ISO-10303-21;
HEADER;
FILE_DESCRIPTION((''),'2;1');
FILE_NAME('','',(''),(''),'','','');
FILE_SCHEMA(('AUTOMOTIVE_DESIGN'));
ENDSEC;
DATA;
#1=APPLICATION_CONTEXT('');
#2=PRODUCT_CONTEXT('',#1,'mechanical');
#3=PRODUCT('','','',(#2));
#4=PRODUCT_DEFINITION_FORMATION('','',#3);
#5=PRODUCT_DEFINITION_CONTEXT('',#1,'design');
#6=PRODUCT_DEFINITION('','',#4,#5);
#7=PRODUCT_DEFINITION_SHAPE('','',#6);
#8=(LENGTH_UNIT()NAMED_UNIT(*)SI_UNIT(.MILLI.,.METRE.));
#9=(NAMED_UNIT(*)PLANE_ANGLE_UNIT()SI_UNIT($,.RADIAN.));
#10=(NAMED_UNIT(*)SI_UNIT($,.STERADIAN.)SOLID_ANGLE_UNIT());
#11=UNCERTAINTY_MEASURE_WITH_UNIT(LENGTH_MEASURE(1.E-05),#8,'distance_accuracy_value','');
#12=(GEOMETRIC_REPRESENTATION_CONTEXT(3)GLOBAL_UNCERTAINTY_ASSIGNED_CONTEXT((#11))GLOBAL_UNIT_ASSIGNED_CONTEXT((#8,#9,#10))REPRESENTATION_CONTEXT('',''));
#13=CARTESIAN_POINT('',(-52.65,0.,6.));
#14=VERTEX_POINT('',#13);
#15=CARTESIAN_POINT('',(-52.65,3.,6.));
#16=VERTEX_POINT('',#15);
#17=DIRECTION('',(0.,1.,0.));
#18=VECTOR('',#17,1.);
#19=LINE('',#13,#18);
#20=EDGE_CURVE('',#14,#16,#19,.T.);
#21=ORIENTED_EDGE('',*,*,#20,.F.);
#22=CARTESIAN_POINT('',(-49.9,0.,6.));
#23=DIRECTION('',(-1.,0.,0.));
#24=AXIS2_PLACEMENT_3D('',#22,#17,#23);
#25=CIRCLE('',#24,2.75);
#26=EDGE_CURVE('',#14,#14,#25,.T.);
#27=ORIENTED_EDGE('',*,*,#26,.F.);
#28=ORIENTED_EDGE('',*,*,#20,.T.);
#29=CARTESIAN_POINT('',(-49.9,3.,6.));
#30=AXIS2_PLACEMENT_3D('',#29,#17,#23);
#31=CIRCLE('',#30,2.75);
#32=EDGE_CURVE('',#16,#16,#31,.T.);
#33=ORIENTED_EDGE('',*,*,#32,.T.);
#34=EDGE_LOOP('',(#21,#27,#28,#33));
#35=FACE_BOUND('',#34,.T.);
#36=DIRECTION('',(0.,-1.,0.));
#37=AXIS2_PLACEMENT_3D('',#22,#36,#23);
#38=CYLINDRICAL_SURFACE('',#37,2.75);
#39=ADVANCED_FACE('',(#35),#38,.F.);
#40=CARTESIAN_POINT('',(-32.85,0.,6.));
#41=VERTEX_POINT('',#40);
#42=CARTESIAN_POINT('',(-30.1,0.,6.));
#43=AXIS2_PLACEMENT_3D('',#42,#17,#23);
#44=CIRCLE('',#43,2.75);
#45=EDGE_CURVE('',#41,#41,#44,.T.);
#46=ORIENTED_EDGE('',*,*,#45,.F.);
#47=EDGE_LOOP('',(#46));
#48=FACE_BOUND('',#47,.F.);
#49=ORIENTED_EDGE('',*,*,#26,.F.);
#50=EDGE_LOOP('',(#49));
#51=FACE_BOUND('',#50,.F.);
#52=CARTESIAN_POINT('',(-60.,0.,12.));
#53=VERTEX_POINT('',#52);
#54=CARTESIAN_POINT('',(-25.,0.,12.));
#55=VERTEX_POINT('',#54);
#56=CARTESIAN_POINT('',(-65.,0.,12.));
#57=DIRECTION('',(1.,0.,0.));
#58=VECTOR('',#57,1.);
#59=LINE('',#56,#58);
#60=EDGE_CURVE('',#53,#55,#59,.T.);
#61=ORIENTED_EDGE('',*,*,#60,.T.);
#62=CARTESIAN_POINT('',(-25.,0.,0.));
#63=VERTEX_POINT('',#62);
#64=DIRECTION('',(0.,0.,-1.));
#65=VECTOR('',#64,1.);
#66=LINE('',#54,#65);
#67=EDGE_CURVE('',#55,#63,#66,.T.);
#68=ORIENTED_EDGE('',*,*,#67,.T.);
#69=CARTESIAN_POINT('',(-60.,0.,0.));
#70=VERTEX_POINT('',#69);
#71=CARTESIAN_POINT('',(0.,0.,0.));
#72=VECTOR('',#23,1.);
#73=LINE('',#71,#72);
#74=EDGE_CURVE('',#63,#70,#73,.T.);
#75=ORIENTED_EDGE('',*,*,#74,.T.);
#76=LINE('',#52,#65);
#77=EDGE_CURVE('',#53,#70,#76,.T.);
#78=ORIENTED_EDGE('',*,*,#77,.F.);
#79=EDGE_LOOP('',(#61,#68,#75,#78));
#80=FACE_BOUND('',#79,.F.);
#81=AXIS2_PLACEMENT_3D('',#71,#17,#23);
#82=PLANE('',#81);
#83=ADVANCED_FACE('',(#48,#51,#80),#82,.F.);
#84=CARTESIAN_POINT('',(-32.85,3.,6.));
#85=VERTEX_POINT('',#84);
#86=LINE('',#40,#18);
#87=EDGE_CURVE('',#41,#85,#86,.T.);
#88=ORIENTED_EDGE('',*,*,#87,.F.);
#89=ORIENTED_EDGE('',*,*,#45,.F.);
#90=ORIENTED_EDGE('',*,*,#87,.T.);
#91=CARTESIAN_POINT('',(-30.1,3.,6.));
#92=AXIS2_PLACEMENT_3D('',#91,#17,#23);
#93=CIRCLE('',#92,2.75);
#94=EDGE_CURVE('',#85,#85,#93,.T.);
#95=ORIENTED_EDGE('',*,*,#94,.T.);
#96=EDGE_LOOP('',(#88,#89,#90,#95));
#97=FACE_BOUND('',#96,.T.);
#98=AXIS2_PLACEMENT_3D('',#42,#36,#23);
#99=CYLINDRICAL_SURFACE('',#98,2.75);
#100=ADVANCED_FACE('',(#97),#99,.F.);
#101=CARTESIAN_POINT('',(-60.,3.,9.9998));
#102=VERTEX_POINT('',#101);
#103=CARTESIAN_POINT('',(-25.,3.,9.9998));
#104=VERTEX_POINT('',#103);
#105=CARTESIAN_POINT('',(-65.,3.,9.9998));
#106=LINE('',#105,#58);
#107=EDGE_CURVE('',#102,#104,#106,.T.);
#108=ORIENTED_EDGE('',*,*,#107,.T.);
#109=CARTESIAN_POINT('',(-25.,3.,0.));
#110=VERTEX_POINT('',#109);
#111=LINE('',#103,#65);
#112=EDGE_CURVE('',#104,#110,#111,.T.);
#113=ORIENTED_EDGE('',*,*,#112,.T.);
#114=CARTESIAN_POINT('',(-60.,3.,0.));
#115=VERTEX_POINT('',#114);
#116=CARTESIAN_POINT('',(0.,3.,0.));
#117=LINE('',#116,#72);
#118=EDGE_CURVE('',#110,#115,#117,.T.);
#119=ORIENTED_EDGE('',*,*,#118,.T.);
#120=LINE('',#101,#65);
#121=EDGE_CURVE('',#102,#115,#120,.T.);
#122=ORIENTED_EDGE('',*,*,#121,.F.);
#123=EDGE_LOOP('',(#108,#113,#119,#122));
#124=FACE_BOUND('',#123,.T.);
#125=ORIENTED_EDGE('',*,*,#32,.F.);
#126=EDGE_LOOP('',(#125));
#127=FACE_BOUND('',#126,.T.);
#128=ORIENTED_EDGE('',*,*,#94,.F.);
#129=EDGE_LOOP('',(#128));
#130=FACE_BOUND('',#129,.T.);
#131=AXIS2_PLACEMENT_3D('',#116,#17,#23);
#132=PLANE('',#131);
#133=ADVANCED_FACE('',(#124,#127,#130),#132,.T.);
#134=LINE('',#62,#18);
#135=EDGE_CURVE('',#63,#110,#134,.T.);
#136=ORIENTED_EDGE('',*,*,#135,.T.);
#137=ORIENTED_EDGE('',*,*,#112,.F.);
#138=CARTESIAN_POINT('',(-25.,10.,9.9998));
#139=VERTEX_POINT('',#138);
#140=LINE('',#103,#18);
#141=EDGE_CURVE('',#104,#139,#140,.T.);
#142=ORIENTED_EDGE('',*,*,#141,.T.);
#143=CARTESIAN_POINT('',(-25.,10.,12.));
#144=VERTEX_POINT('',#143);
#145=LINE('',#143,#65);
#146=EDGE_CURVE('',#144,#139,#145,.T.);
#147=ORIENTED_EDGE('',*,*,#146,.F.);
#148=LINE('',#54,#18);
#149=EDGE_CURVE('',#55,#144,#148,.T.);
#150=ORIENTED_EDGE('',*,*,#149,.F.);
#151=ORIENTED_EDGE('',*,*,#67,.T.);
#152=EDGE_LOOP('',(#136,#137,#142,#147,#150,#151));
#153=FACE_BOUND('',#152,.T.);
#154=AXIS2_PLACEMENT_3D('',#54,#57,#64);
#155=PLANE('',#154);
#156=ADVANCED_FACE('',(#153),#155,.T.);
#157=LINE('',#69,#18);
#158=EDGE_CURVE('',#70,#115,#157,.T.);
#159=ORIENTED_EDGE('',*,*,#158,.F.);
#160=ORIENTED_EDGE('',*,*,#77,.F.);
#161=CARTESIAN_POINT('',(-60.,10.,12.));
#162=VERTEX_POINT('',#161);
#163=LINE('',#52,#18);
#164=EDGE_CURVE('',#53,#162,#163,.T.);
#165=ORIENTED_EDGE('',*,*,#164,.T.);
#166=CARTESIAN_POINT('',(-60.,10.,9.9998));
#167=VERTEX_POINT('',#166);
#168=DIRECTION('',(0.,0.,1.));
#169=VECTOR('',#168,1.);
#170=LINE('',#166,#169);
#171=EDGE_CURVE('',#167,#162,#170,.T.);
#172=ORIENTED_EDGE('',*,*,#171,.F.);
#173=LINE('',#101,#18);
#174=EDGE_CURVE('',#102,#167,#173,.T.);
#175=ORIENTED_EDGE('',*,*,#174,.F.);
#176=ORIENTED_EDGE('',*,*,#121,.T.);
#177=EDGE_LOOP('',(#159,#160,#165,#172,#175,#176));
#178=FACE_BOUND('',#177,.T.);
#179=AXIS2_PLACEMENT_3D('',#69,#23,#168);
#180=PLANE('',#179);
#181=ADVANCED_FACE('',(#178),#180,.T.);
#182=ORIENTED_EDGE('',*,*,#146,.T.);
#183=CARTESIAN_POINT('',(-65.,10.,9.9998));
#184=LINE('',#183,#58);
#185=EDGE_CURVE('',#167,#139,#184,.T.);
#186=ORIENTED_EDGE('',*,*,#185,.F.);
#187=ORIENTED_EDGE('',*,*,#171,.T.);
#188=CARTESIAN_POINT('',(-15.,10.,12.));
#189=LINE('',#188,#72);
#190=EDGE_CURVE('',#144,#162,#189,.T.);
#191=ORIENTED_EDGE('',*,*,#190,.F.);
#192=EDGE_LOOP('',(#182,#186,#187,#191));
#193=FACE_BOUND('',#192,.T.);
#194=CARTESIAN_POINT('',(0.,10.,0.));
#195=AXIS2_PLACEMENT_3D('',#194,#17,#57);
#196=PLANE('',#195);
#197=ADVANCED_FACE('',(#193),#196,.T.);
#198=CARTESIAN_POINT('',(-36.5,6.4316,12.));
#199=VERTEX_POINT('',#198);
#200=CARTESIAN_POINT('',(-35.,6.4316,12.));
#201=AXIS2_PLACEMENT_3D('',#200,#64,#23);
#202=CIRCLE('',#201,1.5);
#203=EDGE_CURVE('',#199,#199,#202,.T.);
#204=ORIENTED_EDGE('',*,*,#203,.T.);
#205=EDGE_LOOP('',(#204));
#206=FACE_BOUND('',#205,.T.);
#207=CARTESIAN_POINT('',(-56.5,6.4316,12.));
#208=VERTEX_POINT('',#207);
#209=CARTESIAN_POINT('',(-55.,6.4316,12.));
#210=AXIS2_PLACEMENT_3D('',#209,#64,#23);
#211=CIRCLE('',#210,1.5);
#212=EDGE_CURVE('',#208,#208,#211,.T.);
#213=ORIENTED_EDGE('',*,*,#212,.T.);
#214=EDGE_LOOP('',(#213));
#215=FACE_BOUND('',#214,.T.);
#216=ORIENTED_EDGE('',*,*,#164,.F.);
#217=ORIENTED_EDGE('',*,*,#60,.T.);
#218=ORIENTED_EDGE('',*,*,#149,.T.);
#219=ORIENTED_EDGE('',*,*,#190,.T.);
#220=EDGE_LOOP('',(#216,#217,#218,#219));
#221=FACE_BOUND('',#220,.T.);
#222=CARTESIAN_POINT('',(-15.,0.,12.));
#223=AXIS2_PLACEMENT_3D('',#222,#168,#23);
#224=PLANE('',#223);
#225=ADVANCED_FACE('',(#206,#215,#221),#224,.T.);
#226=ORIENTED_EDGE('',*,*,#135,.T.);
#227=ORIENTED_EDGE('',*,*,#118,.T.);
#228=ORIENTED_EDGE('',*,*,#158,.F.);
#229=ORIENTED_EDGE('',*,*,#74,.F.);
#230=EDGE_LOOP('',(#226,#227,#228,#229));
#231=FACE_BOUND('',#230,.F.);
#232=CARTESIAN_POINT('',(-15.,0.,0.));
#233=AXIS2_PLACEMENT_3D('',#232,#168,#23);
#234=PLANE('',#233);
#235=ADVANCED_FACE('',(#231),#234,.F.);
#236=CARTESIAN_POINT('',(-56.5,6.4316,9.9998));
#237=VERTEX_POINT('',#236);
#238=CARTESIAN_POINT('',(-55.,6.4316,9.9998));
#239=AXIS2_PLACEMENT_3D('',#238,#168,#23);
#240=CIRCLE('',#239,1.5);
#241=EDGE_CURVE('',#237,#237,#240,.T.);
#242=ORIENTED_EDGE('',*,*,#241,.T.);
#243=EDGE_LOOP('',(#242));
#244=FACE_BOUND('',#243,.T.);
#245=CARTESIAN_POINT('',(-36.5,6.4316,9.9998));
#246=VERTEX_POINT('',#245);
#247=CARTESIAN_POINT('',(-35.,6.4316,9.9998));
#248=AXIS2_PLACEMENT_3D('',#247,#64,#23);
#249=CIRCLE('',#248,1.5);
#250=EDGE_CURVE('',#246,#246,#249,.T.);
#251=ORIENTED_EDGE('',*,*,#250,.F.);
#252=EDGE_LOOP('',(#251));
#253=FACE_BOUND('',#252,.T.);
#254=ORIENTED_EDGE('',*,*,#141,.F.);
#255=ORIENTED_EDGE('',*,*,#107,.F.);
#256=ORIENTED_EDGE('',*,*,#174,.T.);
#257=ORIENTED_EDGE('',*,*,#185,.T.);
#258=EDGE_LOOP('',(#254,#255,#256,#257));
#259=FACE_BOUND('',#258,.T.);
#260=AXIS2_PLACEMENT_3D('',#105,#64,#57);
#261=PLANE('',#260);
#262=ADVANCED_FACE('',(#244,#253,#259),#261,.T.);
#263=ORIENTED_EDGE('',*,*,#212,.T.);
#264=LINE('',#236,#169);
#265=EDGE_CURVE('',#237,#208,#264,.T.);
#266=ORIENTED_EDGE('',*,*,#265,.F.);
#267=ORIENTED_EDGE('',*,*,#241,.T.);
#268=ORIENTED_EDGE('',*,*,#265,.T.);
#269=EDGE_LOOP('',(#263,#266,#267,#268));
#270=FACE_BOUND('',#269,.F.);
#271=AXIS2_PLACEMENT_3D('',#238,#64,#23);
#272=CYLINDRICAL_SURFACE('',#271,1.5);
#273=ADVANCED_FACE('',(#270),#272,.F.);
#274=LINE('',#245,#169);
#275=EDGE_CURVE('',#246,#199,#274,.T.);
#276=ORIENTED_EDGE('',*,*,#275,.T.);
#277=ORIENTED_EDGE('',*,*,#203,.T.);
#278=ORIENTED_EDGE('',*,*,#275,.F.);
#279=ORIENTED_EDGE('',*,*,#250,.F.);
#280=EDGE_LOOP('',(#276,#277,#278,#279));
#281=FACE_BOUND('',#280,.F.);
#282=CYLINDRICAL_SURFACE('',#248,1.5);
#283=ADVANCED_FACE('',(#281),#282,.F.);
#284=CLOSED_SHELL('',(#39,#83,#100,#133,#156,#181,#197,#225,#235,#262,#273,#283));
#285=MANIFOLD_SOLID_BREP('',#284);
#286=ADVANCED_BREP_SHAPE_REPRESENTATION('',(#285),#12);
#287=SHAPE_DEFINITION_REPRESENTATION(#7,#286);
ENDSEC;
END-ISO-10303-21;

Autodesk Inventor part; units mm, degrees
ref_plane "YZ Plane" through (0, 0, 0) normal (1, 0, 0) x (0, 1, 0)
ref_plane "XZ Plane" through (0, 0, 0) normal (0, 1, 0) x (-1, 0, 0)
ref_plane "XY Plane" through (0, 0, 0) normal (0, 0, 1) x (1, 0, 0)
sketch "Sketch1" plane through (0, 0, 0) normal (0, 1, 0) x (-1, 0, 0)
  circle A0 centre (30.1, 6) radius 2.1
  circle A1 centre (49.9, 6) radius 2.1
  line L0 (0, 0) -> (80, 0)
  line L1 (80, 0) -> (80, 12)
  line L2 (0, 12) -> (80, 12)
  line L3 (0, 0) -> (0, 12)
  line L4 (40, 12) -> (15, 12)
  line L5 (15, 12) -> (15, 0)
  line L6 (15, 0) -> (65, 0)
  line L7 (65, 0) -> (65, 12)
  circle A2 centre (49.9, 6) radius 2.75
  circle A3 centre (30.1, 6) radius 2.75
  dimension "d0" = 25
  dimension "d1" = 50
  dimension "d2" = 5.5
  dimension "d3" = 5.5
extrude "Extrusion1" add sketch "Sketch1" along normal blind 3 contours L5 L2 L7 L0
sketch "Sketch2" plane through (0, 3, 0) normal (0, 1, 0) x (1, 0, 0)
  line L0 (-15, -12) -> (-15, 0) projected
  line L1 (-65, 0) -> (-65, -12) projected
  line L2 (-15, -12) -> (-65, -12)
  line L3 (-65, -12) -> (-65, -9.9998)
  line L4 (-65, -9.9998) -> (-15, -9.9998)
  line L5 (-15, -9.9998) -> (-15, -12)
  point P0 (0, 0)
extrude "Extrusion2" add sketch "Sketch2" along normal blind 7
sketch "Sketch3" plane through (-15, 3, 9.9998) normal (0, 0, -1) x (-1, 0, 0)
  line L0 (0, -3) -> (0, 7) projected
  line L1 (0, -0.0684) -> (30, -0.0684)
  line L2 (0, -0.0684) -> (30, -0.0684) construction
  line L3 (30, -0.0684) -> (30, 3.4316)
  line L4 (30, 3.4316) -> (40, 3.4316)
  line L5 (40, 3.4316) -> (20, 3.4316)
  circle A0 centre (20, 3.4316) radius 1.5
  circle A1 centre (40, 3.4316) radius 1.5
  point P0 (-15, -3)
  dimension "d8" = 30
  dimension "d9" = 0
  dimension "d10" = 3.5
  dimension "d11" = 10
  dimension "d12" = 20
  dimension "d13" = 3
  dimension "d14" = 3
extrude "Extrusion3" cut sketch "Sketch3" against normal blind 10
sketch "Sketch4" plane through (-15, 0, 12) normal (1, 0, 0) x (0, 0, -1)
  line L0 (0, 0) -> (12, 0) projected
  line L1 (12, 0) -> (12, 3) projected
  line L2 (2.0002, 3) -> (12, 3) projected
  line L3 (2.0002, 3) -> (2.0002, 10) projected
  line L4 (0, 10) -> (2.0002, 10) projected
  line L5 (0, 0) -> (0, 10) projected
extrude "Extrusion4" cut sketch "Sketch4" against normal blind 10
sketch "Sketch5" plane through (-65, 0, 0) normal (-1, 0, 0) x (0, 0, 1)
  line L0 (8.75, 3) -> (8.75, 0) projected
  line L1 (0, 0) -> (12, 0) projected
  line L2 (12, 0) -> (12, 10) projected
  line L3 (9.9998, 10) -> (12, 10) projected
  line L4 (9.9998, 3) -> (9.9998, 10) projected
  line L5 (0, 3) -> (9.9998, 3) projected
  line L6 (0, 0) -> (0, 3) projected
extrude "Extrusion5" cut sketch "Sketch5" against normal blind 5
properties part number "end_button"
